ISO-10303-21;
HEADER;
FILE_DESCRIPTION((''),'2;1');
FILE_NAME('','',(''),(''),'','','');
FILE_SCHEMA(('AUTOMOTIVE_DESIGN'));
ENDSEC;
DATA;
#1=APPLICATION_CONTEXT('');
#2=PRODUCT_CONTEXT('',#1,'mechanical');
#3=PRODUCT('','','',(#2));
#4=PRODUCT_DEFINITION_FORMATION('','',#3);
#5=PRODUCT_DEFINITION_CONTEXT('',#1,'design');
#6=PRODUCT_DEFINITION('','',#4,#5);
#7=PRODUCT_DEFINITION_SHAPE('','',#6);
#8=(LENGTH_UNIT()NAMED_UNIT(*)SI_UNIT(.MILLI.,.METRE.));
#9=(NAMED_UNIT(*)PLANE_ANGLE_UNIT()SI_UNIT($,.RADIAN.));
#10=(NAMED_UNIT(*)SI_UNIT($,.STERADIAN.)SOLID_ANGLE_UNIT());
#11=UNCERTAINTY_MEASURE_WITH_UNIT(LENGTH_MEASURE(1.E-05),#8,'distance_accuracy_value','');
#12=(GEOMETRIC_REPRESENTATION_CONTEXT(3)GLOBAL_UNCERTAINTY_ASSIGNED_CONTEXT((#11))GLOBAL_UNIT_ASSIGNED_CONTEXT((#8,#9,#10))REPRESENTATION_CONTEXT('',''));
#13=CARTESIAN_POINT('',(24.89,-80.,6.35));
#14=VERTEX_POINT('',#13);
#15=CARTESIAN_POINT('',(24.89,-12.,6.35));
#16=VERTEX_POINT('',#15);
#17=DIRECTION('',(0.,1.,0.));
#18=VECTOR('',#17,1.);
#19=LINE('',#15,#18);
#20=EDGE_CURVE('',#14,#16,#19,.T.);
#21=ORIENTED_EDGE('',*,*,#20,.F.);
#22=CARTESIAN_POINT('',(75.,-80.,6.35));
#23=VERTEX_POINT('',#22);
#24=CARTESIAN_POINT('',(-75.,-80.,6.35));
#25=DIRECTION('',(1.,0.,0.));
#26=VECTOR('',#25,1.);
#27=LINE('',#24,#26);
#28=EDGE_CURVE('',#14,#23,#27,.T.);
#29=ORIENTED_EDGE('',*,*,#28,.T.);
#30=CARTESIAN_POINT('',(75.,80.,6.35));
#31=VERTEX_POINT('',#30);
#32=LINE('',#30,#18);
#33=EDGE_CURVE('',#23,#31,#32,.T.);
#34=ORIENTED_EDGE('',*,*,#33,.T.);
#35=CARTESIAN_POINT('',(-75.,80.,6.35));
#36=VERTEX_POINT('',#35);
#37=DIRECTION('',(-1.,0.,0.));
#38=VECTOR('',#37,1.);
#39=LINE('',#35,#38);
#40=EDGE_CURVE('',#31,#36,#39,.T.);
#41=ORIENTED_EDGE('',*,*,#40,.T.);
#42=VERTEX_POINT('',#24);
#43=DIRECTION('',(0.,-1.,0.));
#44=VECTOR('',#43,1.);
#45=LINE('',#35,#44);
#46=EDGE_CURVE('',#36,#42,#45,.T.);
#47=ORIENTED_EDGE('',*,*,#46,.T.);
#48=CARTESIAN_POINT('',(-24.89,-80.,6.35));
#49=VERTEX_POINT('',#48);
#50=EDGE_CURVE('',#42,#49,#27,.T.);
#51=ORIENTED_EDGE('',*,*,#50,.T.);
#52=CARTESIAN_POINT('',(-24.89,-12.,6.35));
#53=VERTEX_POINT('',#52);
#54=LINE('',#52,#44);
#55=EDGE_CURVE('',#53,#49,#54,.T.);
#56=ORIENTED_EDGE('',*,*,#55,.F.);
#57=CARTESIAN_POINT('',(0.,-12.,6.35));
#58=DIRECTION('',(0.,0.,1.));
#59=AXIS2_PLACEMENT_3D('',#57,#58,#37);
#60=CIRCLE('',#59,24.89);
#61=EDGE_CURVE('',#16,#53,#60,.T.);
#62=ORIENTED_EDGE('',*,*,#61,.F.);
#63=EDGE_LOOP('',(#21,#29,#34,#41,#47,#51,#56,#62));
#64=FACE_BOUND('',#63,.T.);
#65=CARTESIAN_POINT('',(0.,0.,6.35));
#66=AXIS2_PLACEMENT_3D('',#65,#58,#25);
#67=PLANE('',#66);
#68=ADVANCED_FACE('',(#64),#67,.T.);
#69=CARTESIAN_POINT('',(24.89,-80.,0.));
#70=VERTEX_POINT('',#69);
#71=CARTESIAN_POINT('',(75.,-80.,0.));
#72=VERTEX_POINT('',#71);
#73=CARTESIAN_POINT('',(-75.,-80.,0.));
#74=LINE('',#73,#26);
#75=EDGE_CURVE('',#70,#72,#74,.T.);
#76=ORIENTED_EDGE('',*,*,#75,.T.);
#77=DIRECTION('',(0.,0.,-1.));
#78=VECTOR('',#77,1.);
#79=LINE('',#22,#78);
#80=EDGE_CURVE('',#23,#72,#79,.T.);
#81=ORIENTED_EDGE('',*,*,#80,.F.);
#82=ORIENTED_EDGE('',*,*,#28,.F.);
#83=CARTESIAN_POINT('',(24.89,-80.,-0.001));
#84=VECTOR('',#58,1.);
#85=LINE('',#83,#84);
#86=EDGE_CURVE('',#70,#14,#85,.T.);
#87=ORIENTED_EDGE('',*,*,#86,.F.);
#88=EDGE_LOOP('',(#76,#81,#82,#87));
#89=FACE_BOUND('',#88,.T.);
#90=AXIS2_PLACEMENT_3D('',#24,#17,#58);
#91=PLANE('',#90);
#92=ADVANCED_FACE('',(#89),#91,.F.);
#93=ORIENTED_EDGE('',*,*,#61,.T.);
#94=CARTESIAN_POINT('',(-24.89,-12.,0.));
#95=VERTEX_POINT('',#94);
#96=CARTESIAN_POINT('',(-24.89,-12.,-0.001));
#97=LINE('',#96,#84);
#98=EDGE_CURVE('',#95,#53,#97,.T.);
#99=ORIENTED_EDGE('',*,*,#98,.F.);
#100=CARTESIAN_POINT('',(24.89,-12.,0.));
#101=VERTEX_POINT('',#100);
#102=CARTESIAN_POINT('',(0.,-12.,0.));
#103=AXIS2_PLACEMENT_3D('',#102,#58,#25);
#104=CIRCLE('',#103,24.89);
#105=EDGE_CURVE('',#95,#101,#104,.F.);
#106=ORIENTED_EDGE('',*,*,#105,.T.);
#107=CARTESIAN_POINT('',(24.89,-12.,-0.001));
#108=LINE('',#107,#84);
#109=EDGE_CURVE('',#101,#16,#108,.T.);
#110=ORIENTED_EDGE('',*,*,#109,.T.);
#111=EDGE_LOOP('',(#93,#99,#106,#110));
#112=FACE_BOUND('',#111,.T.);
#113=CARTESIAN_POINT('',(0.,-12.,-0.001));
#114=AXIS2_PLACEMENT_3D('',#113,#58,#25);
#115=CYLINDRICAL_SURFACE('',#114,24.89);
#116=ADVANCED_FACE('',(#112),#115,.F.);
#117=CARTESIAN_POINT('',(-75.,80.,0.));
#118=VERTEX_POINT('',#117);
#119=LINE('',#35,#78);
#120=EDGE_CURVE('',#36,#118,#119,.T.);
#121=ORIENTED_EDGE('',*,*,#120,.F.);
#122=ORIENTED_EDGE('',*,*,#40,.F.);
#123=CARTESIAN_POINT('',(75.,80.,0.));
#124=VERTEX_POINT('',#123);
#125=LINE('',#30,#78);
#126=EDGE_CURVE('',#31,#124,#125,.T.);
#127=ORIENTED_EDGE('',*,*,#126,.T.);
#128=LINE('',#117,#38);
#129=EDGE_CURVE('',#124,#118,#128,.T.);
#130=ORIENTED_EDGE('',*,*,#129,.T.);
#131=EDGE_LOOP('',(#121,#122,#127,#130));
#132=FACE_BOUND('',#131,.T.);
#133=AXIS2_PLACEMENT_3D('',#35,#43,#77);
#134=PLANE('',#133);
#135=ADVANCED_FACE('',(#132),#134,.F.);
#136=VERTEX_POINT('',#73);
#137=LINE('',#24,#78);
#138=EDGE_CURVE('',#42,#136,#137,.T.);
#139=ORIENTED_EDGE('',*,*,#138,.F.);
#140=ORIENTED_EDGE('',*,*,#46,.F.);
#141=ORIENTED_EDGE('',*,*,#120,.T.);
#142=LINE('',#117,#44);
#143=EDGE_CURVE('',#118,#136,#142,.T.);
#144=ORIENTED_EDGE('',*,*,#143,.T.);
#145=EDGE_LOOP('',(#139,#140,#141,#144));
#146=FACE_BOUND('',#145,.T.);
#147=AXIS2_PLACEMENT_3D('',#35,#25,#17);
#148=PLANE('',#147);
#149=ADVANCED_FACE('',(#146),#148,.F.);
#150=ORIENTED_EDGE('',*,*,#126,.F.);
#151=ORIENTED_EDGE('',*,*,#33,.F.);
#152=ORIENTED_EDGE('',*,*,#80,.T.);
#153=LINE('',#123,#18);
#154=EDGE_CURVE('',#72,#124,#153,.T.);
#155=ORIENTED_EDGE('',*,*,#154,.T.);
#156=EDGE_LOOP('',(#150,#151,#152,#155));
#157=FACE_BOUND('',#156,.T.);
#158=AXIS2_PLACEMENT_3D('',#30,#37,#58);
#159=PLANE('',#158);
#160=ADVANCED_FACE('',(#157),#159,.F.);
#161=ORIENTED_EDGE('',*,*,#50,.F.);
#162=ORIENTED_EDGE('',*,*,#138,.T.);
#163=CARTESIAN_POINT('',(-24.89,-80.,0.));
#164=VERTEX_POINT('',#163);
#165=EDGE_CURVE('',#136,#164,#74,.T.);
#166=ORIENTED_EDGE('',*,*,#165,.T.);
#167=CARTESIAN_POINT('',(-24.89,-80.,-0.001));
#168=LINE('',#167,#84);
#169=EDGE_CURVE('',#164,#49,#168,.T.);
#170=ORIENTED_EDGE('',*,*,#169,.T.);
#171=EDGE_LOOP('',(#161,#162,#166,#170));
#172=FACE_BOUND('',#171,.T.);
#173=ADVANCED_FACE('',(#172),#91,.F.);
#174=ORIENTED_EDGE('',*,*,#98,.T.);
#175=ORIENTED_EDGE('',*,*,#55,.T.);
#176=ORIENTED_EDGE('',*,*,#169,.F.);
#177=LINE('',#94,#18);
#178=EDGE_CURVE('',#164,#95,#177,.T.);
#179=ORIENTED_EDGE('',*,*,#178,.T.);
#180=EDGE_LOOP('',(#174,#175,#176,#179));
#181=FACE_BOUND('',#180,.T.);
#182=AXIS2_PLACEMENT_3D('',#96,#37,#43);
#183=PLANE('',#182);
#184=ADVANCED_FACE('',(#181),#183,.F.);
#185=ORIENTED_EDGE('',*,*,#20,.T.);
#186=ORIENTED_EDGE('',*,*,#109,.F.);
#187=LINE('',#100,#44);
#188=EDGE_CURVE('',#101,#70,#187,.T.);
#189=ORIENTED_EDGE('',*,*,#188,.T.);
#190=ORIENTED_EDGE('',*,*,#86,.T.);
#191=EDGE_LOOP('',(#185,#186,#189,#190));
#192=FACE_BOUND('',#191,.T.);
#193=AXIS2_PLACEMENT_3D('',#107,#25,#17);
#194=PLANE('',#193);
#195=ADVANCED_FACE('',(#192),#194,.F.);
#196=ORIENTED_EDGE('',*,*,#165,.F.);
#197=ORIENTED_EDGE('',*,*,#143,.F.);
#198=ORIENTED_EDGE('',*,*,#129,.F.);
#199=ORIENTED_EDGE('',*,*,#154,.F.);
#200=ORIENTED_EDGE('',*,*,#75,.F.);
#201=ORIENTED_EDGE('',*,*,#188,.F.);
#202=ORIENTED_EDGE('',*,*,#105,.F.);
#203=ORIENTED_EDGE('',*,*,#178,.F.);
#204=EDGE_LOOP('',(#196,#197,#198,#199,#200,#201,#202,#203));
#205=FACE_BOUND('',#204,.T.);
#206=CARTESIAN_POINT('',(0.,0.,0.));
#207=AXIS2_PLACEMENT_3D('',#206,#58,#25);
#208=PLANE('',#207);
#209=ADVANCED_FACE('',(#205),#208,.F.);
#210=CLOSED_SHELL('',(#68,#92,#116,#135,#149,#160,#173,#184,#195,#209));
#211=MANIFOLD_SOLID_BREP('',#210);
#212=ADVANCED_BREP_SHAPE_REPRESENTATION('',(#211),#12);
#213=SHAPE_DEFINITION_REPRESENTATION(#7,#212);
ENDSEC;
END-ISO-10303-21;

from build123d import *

# Parameters (mm, degrees)
SKETCH1_W           = 150
SKETCH1_H           = 160
BOSS_EXTRUDE1_DEPTH = 6.35
CUT_EXTRUDE1_REACH  = 111.842


with BuildPart() as part:
    # Sketch1 → Boss-Extrude1 (new body)
    with BuildSketch(Plane.XY):
        Rectangle(SKETCH1_W, SKETCH1_H)
    extrude(amount=BOSS_EXTRUDE1_DEPTH)

    # Sketch2 → Cut-Extrude1 (cut, up to next)
    with BuildSketch(Plane.XY.offset(6.35), mode=Mode.PRIVATE) as cut_extrude1_sk1:
        with BuildLine():
            Line((-24.89, -12), (-24.89, -80))
            Line((-24.89, -80), (24.89, -80))
            Line((24.89, -80), (24.89, -12))
            ThreePointArc((24.89, -12), (0, 12.89), (-24.89, -12))
        make_face()
    cut_extrude1_tool1 = extrude(cut_extrude1_sk1.sketch, amount=-CUT_EXTRUDE1_REACH, mode=Mode.PRIVATE) & part.part
    add(cut_extrude1_tool1.solids().sort_by_distance((0, -36.049464, 6.35))[0], mode=Mode.SUBTRACT)


solid = part.part
